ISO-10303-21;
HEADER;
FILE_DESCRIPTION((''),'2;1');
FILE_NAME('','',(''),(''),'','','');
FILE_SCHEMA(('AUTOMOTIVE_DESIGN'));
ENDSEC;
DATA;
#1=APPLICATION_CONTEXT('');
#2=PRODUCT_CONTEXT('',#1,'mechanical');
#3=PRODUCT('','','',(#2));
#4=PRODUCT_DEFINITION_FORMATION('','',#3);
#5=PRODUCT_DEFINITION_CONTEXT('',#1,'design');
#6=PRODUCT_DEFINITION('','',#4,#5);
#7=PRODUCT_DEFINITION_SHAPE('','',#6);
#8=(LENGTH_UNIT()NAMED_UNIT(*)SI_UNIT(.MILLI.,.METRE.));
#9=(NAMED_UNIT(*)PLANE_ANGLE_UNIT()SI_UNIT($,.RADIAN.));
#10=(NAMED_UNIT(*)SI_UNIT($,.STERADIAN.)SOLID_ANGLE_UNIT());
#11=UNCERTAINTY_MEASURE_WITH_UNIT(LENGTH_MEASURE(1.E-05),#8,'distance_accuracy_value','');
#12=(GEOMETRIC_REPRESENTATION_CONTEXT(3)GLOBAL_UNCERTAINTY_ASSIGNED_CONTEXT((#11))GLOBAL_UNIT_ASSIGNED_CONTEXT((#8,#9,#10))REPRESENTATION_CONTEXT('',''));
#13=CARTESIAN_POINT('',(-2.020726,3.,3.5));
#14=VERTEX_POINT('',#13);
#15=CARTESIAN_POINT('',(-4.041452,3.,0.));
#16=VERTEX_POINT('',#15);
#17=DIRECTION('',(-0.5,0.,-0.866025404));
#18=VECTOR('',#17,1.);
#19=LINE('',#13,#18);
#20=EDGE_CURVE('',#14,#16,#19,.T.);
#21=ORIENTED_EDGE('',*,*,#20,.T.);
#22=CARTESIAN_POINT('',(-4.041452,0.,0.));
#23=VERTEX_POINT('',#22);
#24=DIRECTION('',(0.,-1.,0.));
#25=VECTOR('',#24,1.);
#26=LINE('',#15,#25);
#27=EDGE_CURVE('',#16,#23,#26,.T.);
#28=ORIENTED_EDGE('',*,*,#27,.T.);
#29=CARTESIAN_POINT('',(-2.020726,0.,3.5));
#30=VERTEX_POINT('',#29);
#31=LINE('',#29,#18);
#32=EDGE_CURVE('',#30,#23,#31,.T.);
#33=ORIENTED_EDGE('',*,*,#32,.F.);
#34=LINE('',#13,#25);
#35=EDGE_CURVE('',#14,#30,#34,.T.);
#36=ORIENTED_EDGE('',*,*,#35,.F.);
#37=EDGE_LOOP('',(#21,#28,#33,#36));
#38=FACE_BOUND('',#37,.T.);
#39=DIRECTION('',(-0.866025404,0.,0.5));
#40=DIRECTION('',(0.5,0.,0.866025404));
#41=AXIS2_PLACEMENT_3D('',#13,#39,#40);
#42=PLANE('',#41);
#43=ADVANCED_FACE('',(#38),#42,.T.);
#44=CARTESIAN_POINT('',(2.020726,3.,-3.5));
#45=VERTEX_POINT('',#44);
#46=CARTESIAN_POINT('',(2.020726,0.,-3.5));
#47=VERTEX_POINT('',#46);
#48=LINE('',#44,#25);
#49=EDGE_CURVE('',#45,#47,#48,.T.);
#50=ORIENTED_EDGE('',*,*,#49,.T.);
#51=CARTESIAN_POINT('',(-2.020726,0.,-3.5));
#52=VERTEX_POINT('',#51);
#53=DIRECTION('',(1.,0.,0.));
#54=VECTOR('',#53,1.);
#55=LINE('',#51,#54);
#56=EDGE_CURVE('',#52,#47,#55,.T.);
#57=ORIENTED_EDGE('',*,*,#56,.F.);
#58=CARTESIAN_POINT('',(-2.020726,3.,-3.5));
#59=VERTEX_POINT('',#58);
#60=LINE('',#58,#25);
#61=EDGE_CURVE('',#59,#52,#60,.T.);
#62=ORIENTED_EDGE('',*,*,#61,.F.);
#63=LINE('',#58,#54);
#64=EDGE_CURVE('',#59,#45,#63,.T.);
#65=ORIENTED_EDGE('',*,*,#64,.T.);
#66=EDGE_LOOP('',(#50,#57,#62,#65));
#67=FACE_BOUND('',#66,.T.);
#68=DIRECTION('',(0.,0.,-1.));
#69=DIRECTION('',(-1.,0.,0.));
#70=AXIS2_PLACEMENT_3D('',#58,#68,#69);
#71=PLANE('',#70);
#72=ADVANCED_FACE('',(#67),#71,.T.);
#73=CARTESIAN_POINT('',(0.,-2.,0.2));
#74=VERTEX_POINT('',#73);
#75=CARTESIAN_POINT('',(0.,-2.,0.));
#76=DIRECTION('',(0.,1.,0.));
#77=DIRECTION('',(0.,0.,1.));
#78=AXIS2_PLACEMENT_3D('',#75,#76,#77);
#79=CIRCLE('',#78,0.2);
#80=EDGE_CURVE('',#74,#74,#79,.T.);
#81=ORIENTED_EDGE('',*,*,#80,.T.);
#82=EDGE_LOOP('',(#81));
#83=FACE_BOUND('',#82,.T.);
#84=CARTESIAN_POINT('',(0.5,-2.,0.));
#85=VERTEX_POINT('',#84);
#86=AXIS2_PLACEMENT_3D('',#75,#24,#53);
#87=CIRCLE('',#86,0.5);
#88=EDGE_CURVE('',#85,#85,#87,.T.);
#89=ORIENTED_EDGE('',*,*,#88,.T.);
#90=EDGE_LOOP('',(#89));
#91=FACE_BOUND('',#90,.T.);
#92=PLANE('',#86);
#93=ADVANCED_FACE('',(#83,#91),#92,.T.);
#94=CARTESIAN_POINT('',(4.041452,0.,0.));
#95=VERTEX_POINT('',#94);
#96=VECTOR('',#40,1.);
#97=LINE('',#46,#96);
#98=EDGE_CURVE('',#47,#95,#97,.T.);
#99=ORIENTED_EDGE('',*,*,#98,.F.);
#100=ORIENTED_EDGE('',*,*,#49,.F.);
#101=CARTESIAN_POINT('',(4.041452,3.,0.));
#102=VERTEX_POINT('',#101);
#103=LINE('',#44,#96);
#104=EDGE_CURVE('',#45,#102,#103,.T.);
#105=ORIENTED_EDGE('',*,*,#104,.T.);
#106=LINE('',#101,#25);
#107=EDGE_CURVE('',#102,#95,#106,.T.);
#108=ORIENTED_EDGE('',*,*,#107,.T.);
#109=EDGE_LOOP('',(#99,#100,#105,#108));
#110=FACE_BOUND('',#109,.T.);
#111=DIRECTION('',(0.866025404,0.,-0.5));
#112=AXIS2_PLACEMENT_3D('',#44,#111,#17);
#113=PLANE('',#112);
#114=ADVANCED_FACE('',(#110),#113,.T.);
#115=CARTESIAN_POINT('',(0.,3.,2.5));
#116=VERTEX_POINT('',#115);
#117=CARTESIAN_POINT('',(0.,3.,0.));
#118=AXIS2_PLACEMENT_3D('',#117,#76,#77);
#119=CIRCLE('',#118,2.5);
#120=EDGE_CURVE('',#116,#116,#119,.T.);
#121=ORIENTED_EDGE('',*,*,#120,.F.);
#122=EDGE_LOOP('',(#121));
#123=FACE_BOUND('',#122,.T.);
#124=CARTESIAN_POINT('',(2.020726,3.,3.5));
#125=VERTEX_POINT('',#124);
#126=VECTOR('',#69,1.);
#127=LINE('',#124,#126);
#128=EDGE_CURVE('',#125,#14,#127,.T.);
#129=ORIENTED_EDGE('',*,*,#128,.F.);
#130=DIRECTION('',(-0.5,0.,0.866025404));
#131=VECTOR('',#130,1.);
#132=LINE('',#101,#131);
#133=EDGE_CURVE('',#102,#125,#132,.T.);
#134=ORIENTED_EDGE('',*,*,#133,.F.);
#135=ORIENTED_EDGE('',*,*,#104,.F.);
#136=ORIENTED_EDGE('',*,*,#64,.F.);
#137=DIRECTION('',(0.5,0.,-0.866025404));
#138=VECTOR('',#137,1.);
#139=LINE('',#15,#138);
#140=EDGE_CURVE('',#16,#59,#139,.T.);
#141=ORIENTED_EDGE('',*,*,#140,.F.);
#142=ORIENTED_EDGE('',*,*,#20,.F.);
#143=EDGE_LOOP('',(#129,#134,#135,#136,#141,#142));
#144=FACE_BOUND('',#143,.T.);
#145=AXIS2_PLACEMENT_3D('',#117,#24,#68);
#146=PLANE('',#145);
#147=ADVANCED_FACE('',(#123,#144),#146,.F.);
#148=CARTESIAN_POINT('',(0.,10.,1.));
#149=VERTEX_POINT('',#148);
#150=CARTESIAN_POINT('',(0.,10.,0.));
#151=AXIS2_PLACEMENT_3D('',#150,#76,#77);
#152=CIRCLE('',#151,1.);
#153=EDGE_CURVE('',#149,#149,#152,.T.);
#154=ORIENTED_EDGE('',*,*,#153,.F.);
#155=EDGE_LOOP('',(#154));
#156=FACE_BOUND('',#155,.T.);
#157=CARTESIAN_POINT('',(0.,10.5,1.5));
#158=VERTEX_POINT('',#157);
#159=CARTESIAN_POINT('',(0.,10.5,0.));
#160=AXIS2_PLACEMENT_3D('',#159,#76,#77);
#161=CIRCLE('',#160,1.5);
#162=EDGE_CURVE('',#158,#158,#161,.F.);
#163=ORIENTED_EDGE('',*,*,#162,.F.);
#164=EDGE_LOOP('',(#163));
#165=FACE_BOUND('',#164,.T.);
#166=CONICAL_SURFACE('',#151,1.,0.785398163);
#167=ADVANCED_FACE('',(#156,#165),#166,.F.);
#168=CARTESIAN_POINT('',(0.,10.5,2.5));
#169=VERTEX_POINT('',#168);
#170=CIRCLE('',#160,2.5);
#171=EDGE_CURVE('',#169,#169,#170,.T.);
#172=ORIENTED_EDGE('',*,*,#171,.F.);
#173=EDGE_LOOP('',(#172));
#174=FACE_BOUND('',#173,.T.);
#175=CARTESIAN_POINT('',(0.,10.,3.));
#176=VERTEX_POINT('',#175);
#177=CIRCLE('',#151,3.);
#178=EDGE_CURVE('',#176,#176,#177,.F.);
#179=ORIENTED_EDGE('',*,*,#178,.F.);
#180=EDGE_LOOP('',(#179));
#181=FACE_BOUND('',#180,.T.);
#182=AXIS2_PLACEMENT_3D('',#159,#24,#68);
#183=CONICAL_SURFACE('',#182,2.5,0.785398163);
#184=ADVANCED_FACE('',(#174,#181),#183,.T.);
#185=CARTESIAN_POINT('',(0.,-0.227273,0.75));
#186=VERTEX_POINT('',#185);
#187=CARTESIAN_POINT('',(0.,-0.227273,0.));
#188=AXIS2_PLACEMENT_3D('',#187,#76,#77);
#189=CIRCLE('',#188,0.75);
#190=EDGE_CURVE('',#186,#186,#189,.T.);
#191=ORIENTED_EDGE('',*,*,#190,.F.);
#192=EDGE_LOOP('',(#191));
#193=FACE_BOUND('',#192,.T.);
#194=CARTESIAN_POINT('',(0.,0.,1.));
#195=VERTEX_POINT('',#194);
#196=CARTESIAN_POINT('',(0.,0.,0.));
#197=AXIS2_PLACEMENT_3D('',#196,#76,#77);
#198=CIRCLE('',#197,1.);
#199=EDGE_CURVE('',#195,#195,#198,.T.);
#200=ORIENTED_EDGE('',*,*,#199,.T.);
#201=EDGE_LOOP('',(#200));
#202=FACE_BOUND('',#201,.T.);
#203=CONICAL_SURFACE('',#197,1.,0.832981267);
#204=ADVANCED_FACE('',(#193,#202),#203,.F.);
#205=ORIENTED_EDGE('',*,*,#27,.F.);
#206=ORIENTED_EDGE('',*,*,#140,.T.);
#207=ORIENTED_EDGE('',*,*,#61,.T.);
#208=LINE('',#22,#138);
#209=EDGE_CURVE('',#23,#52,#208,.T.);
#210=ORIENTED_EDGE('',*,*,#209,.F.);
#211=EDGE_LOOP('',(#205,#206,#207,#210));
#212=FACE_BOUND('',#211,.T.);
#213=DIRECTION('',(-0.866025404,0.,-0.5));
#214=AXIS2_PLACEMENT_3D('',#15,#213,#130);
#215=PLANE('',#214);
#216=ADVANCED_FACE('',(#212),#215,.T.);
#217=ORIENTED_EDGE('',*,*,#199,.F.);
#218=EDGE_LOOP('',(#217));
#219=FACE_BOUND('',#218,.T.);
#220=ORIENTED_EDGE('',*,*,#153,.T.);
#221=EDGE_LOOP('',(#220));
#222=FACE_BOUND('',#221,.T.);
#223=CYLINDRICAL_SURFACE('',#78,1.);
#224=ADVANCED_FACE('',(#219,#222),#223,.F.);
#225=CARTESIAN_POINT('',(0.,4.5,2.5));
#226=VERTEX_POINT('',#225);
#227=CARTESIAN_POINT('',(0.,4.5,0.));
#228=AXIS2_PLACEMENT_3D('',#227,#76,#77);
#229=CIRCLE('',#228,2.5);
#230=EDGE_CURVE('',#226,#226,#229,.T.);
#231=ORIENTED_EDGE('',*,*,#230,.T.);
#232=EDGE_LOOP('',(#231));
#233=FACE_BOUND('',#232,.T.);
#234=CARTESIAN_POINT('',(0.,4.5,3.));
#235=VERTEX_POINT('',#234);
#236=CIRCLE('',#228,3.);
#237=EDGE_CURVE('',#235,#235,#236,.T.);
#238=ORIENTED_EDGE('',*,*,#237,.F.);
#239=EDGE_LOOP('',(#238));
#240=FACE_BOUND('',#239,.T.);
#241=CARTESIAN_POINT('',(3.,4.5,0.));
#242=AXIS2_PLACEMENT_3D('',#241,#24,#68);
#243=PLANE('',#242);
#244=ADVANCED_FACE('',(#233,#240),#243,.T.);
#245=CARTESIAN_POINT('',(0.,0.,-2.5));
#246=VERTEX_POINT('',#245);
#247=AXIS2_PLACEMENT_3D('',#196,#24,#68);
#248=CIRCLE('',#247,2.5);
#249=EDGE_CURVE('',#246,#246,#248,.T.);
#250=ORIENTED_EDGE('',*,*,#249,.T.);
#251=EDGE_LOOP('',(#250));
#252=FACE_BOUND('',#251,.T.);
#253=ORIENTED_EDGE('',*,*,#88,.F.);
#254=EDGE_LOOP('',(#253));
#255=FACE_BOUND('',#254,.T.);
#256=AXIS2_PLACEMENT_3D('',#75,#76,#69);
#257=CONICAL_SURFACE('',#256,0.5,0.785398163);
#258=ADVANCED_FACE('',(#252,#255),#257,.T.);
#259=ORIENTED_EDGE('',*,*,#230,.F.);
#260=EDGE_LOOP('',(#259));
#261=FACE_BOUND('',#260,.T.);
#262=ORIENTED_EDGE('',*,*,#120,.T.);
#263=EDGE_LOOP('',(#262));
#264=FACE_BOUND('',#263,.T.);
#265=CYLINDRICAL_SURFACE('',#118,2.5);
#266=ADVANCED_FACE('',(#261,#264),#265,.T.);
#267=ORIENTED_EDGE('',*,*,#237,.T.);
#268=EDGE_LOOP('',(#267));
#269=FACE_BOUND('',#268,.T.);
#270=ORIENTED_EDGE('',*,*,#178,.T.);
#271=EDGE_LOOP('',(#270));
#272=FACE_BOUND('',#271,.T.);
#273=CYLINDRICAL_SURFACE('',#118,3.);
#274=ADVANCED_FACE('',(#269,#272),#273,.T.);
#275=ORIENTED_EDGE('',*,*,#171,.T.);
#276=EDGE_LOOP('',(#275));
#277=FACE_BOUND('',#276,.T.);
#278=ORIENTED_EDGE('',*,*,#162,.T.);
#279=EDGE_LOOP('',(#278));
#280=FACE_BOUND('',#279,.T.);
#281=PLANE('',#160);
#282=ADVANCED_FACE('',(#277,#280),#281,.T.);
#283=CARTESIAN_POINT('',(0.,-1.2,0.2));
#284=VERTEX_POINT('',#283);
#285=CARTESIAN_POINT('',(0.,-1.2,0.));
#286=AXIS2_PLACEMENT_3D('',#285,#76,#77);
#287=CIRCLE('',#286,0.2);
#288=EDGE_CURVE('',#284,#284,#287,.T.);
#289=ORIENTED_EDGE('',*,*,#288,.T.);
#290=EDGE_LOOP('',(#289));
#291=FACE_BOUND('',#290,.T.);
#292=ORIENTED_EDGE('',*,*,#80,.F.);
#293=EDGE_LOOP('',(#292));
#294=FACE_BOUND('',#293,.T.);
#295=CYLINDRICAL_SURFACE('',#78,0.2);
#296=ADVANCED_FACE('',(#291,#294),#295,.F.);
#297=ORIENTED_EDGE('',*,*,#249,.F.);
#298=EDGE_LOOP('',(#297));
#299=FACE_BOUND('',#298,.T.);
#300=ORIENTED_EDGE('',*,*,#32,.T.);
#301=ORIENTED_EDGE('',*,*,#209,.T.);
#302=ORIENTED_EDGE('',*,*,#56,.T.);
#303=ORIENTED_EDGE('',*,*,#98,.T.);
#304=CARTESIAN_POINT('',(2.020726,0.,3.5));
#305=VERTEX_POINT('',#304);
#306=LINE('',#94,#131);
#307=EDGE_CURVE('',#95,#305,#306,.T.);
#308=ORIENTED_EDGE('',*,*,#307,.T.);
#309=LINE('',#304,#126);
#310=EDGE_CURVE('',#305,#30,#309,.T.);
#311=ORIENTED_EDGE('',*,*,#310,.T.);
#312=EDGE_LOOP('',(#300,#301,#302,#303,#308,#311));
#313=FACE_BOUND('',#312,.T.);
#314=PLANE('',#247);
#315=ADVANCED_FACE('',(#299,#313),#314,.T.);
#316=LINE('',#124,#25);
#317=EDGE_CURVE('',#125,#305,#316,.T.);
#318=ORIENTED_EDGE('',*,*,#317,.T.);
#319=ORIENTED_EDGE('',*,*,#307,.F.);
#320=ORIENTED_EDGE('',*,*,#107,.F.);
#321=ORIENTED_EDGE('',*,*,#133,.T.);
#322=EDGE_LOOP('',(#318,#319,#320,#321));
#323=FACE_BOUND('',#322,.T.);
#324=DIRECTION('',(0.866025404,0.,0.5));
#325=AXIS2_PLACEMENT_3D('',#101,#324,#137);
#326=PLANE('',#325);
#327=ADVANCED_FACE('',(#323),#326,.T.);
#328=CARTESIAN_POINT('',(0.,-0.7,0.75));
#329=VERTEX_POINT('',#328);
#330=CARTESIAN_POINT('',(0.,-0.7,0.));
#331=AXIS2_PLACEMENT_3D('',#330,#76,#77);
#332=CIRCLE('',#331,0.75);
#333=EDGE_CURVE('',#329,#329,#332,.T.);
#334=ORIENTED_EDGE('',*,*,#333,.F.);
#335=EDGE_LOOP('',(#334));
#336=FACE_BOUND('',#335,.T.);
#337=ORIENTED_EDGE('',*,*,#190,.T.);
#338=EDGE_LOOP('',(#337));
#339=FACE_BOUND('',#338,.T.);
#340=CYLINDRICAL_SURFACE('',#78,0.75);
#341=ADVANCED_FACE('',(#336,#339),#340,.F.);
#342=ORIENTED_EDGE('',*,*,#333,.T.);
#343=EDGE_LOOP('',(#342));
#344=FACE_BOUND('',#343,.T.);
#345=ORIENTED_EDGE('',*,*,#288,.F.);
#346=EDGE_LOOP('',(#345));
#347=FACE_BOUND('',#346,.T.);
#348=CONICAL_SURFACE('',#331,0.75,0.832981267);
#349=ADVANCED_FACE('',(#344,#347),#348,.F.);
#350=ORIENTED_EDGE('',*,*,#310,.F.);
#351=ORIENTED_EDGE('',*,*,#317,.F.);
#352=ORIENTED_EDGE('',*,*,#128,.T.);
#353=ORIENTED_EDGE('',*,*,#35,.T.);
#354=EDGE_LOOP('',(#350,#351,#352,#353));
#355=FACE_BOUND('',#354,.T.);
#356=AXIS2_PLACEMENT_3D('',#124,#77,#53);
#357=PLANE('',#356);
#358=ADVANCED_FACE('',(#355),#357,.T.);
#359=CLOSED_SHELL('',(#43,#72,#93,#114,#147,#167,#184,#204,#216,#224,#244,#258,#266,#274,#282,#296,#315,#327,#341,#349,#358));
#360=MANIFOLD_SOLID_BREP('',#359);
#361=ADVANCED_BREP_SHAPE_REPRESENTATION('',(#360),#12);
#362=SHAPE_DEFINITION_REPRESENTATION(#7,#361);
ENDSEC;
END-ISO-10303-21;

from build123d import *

# Parameters (mm, degrees)
BOSS_EXTRUDE1_DEPTH = 3
CHAMFER1_SIZE       = 0.5


with BuildPart() as part:
    # Sketch1 → Boss-Extrude1 (new body)
    with BuildSketch(Plane.XZ):
        Polygon((-2.020725942, 3.5), (-4.041451884, 0), (-2.020725942, -3.5), (2.020725942, -3.5), (4.041451884, 0), (2.020725942, 3.5), align=None)
    extrude(amount=-BOSS_EXTRUDE1_DEPTH)

    # Sketch2 → Revolve1 (revolve)
    with BuildSketch(Plane(origin=(0, 0, 0), x_dir=(-1, 0, 0), z_dir=(0, 0, -1))):
        Polygon((-2.5, 3), (0, 3), (0, 10.5), (-3, 10.5), (-3, 4.5), (-2.5, 4.5), align=None)
    revolve(axis=Axis((0, 3, 0), (0, 1, 0)))

    # Sketch3 → Revolve2 (revolve)
    with BuildSketch(Plane.XY):
        Polygon((2.5, 0), (0, 0), (0, -2), (0.5, -2), align=None)
    revolve(axis=Axis((0, 0, 0), (0, -1, 0)))

    # Sketch4 → Cut-Revolve1 (revolve, cut)
    with BuildSketch(Plane(origin=(0, 0, 0), x_dir=(-1, 0, 0), z_dir=(0, 0, -1))):
        Polygon((-0.2, -2), (0, -2), (0, 10.5), (-1, 10.5), (-1, 0), (-0.75, -0.227272727), (-0.75, -0.7), (-0.2, -1.2), align=None)
    revolve(axis=Axis((0, -2, 0), (0, 1, 0)), mode=Mode.SUBTRACT)

    # Chamfer1
    chamfer1_edges = [part.edges().sort_by_distance(p)[0] for p in [
        (-3, 10.5, 0),
        (-1, 10.5, 0),
    ]]
    chamfer(chamfer1_edges, length=CHAMFER1_SIZE)


solid = part.part
